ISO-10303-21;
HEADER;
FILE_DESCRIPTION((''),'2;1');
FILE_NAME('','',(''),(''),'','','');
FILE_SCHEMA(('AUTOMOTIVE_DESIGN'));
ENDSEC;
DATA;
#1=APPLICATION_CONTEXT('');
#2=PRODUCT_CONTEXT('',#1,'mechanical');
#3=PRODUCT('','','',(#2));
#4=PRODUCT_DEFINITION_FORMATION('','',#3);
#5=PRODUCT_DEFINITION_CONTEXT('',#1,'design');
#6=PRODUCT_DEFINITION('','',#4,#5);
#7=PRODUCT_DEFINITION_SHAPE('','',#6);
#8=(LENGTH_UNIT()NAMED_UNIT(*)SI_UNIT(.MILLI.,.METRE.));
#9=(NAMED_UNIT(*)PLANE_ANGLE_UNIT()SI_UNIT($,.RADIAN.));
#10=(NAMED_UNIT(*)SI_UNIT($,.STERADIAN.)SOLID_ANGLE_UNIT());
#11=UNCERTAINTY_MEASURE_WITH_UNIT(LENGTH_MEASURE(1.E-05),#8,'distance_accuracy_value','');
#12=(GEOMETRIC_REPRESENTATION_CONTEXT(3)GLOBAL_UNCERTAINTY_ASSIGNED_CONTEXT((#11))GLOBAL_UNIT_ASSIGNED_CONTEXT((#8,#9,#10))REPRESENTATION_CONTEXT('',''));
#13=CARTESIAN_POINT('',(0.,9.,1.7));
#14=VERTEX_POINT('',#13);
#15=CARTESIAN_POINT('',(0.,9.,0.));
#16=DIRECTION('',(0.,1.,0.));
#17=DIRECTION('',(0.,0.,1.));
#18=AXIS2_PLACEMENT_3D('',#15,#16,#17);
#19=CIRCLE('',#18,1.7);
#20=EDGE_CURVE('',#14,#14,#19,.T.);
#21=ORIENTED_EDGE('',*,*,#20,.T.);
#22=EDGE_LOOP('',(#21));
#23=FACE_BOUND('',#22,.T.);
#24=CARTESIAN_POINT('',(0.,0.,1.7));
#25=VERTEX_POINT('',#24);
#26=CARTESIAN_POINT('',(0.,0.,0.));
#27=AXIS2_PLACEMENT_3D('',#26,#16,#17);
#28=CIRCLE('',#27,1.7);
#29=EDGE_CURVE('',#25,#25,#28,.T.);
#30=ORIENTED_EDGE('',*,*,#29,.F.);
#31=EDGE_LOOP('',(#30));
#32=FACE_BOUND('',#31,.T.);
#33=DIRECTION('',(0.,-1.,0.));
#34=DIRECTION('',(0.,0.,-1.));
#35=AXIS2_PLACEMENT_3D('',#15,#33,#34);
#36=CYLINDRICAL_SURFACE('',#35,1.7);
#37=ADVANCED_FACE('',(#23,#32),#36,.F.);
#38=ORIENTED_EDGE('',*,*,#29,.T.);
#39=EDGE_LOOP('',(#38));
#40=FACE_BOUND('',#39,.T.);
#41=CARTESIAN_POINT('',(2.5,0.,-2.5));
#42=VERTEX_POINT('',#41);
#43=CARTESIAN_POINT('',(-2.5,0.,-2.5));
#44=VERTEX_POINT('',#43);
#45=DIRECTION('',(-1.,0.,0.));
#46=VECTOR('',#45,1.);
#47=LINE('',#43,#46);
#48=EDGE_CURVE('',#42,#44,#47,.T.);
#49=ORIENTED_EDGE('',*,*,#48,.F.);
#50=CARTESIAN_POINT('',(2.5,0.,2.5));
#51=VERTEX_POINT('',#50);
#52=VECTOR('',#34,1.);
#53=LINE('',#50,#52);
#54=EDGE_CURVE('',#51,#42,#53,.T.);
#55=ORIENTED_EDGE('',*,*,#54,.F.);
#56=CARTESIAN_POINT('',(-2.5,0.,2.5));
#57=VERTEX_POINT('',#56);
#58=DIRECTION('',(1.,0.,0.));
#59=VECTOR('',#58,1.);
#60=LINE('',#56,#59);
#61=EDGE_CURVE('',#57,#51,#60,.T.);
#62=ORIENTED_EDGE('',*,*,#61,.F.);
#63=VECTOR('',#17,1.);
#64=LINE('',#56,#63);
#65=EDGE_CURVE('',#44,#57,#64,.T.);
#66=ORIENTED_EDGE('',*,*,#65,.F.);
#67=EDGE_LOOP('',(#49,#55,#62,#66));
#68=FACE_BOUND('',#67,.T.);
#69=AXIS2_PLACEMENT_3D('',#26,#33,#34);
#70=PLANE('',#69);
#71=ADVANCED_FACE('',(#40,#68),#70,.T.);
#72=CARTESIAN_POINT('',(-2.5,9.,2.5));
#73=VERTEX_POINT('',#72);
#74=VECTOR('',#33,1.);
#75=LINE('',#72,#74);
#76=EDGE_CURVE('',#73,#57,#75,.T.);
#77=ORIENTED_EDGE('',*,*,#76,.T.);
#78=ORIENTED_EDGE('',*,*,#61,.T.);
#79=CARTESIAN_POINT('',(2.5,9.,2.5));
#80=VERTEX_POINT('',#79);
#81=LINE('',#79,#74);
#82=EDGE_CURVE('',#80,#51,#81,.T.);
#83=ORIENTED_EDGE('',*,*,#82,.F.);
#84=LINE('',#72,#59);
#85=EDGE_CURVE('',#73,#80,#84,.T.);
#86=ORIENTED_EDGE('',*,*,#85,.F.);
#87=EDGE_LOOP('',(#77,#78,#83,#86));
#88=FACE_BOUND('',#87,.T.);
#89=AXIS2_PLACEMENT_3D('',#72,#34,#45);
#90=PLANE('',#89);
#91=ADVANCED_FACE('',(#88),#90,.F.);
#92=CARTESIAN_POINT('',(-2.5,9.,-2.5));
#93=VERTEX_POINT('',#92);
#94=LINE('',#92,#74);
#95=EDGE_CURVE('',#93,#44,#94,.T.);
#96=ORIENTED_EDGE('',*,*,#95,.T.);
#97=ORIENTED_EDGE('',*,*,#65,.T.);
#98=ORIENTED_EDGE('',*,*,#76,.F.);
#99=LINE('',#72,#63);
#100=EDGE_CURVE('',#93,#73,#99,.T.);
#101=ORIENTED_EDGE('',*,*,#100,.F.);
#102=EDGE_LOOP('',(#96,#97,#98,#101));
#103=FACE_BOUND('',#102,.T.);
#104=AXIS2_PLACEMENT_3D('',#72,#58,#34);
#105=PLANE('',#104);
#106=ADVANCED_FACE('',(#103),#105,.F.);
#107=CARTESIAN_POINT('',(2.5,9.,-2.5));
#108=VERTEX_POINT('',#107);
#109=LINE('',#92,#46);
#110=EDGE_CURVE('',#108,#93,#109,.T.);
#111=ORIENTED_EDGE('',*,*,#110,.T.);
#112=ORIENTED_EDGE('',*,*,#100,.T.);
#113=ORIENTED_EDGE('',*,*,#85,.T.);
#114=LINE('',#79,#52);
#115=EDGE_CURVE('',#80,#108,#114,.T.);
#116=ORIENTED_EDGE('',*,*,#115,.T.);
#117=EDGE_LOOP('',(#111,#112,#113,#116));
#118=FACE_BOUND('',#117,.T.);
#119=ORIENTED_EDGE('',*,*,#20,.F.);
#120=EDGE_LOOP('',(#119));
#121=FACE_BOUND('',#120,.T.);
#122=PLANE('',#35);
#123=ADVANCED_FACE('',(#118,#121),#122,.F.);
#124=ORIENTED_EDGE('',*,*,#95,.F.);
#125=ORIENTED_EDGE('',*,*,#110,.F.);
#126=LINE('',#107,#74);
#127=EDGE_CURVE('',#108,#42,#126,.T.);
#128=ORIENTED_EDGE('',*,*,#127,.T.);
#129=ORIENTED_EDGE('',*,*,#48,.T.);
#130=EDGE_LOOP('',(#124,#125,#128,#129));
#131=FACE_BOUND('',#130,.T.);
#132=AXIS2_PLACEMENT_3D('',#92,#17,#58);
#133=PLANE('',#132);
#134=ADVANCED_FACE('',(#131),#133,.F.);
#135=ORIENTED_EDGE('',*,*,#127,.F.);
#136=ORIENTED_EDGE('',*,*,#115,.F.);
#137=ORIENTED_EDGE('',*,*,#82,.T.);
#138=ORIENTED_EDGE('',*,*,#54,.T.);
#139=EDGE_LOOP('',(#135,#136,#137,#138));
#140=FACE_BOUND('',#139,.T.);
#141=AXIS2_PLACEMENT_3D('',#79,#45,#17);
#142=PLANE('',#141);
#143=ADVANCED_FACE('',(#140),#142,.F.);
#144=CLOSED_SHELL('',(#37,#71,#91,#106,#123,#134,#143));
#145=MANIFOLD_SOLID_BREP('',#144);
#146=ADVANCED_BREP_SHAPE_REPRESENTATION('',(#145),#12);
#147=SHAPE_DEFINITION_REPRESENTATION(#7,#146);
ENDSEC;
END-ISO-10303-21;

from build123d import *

# Parameters (mm, degrees)
SKETCH1_W           = 5
SKETCH1_H           = 5
SKETCH1_R           = 1.7
BOSS_EXTRUDE1_DEPTH = 9


with BuildPart() as part:
    # Sketch1 → Boss-Extrude1 (new body)
    with BuildSketch(Plane(origin=(0, 0, 0), x_dir=(1, 0, 0), z_dir=(0, 1, 0))):
        Rectangle(SKETCH1_W, SKETCH1_H)
        Circle(SKETCH1_R, mode=Mode.SUBTRACT)
    extrude(amount=BOSS_EXTRUDE1_DEPTH)


solid = part.part
